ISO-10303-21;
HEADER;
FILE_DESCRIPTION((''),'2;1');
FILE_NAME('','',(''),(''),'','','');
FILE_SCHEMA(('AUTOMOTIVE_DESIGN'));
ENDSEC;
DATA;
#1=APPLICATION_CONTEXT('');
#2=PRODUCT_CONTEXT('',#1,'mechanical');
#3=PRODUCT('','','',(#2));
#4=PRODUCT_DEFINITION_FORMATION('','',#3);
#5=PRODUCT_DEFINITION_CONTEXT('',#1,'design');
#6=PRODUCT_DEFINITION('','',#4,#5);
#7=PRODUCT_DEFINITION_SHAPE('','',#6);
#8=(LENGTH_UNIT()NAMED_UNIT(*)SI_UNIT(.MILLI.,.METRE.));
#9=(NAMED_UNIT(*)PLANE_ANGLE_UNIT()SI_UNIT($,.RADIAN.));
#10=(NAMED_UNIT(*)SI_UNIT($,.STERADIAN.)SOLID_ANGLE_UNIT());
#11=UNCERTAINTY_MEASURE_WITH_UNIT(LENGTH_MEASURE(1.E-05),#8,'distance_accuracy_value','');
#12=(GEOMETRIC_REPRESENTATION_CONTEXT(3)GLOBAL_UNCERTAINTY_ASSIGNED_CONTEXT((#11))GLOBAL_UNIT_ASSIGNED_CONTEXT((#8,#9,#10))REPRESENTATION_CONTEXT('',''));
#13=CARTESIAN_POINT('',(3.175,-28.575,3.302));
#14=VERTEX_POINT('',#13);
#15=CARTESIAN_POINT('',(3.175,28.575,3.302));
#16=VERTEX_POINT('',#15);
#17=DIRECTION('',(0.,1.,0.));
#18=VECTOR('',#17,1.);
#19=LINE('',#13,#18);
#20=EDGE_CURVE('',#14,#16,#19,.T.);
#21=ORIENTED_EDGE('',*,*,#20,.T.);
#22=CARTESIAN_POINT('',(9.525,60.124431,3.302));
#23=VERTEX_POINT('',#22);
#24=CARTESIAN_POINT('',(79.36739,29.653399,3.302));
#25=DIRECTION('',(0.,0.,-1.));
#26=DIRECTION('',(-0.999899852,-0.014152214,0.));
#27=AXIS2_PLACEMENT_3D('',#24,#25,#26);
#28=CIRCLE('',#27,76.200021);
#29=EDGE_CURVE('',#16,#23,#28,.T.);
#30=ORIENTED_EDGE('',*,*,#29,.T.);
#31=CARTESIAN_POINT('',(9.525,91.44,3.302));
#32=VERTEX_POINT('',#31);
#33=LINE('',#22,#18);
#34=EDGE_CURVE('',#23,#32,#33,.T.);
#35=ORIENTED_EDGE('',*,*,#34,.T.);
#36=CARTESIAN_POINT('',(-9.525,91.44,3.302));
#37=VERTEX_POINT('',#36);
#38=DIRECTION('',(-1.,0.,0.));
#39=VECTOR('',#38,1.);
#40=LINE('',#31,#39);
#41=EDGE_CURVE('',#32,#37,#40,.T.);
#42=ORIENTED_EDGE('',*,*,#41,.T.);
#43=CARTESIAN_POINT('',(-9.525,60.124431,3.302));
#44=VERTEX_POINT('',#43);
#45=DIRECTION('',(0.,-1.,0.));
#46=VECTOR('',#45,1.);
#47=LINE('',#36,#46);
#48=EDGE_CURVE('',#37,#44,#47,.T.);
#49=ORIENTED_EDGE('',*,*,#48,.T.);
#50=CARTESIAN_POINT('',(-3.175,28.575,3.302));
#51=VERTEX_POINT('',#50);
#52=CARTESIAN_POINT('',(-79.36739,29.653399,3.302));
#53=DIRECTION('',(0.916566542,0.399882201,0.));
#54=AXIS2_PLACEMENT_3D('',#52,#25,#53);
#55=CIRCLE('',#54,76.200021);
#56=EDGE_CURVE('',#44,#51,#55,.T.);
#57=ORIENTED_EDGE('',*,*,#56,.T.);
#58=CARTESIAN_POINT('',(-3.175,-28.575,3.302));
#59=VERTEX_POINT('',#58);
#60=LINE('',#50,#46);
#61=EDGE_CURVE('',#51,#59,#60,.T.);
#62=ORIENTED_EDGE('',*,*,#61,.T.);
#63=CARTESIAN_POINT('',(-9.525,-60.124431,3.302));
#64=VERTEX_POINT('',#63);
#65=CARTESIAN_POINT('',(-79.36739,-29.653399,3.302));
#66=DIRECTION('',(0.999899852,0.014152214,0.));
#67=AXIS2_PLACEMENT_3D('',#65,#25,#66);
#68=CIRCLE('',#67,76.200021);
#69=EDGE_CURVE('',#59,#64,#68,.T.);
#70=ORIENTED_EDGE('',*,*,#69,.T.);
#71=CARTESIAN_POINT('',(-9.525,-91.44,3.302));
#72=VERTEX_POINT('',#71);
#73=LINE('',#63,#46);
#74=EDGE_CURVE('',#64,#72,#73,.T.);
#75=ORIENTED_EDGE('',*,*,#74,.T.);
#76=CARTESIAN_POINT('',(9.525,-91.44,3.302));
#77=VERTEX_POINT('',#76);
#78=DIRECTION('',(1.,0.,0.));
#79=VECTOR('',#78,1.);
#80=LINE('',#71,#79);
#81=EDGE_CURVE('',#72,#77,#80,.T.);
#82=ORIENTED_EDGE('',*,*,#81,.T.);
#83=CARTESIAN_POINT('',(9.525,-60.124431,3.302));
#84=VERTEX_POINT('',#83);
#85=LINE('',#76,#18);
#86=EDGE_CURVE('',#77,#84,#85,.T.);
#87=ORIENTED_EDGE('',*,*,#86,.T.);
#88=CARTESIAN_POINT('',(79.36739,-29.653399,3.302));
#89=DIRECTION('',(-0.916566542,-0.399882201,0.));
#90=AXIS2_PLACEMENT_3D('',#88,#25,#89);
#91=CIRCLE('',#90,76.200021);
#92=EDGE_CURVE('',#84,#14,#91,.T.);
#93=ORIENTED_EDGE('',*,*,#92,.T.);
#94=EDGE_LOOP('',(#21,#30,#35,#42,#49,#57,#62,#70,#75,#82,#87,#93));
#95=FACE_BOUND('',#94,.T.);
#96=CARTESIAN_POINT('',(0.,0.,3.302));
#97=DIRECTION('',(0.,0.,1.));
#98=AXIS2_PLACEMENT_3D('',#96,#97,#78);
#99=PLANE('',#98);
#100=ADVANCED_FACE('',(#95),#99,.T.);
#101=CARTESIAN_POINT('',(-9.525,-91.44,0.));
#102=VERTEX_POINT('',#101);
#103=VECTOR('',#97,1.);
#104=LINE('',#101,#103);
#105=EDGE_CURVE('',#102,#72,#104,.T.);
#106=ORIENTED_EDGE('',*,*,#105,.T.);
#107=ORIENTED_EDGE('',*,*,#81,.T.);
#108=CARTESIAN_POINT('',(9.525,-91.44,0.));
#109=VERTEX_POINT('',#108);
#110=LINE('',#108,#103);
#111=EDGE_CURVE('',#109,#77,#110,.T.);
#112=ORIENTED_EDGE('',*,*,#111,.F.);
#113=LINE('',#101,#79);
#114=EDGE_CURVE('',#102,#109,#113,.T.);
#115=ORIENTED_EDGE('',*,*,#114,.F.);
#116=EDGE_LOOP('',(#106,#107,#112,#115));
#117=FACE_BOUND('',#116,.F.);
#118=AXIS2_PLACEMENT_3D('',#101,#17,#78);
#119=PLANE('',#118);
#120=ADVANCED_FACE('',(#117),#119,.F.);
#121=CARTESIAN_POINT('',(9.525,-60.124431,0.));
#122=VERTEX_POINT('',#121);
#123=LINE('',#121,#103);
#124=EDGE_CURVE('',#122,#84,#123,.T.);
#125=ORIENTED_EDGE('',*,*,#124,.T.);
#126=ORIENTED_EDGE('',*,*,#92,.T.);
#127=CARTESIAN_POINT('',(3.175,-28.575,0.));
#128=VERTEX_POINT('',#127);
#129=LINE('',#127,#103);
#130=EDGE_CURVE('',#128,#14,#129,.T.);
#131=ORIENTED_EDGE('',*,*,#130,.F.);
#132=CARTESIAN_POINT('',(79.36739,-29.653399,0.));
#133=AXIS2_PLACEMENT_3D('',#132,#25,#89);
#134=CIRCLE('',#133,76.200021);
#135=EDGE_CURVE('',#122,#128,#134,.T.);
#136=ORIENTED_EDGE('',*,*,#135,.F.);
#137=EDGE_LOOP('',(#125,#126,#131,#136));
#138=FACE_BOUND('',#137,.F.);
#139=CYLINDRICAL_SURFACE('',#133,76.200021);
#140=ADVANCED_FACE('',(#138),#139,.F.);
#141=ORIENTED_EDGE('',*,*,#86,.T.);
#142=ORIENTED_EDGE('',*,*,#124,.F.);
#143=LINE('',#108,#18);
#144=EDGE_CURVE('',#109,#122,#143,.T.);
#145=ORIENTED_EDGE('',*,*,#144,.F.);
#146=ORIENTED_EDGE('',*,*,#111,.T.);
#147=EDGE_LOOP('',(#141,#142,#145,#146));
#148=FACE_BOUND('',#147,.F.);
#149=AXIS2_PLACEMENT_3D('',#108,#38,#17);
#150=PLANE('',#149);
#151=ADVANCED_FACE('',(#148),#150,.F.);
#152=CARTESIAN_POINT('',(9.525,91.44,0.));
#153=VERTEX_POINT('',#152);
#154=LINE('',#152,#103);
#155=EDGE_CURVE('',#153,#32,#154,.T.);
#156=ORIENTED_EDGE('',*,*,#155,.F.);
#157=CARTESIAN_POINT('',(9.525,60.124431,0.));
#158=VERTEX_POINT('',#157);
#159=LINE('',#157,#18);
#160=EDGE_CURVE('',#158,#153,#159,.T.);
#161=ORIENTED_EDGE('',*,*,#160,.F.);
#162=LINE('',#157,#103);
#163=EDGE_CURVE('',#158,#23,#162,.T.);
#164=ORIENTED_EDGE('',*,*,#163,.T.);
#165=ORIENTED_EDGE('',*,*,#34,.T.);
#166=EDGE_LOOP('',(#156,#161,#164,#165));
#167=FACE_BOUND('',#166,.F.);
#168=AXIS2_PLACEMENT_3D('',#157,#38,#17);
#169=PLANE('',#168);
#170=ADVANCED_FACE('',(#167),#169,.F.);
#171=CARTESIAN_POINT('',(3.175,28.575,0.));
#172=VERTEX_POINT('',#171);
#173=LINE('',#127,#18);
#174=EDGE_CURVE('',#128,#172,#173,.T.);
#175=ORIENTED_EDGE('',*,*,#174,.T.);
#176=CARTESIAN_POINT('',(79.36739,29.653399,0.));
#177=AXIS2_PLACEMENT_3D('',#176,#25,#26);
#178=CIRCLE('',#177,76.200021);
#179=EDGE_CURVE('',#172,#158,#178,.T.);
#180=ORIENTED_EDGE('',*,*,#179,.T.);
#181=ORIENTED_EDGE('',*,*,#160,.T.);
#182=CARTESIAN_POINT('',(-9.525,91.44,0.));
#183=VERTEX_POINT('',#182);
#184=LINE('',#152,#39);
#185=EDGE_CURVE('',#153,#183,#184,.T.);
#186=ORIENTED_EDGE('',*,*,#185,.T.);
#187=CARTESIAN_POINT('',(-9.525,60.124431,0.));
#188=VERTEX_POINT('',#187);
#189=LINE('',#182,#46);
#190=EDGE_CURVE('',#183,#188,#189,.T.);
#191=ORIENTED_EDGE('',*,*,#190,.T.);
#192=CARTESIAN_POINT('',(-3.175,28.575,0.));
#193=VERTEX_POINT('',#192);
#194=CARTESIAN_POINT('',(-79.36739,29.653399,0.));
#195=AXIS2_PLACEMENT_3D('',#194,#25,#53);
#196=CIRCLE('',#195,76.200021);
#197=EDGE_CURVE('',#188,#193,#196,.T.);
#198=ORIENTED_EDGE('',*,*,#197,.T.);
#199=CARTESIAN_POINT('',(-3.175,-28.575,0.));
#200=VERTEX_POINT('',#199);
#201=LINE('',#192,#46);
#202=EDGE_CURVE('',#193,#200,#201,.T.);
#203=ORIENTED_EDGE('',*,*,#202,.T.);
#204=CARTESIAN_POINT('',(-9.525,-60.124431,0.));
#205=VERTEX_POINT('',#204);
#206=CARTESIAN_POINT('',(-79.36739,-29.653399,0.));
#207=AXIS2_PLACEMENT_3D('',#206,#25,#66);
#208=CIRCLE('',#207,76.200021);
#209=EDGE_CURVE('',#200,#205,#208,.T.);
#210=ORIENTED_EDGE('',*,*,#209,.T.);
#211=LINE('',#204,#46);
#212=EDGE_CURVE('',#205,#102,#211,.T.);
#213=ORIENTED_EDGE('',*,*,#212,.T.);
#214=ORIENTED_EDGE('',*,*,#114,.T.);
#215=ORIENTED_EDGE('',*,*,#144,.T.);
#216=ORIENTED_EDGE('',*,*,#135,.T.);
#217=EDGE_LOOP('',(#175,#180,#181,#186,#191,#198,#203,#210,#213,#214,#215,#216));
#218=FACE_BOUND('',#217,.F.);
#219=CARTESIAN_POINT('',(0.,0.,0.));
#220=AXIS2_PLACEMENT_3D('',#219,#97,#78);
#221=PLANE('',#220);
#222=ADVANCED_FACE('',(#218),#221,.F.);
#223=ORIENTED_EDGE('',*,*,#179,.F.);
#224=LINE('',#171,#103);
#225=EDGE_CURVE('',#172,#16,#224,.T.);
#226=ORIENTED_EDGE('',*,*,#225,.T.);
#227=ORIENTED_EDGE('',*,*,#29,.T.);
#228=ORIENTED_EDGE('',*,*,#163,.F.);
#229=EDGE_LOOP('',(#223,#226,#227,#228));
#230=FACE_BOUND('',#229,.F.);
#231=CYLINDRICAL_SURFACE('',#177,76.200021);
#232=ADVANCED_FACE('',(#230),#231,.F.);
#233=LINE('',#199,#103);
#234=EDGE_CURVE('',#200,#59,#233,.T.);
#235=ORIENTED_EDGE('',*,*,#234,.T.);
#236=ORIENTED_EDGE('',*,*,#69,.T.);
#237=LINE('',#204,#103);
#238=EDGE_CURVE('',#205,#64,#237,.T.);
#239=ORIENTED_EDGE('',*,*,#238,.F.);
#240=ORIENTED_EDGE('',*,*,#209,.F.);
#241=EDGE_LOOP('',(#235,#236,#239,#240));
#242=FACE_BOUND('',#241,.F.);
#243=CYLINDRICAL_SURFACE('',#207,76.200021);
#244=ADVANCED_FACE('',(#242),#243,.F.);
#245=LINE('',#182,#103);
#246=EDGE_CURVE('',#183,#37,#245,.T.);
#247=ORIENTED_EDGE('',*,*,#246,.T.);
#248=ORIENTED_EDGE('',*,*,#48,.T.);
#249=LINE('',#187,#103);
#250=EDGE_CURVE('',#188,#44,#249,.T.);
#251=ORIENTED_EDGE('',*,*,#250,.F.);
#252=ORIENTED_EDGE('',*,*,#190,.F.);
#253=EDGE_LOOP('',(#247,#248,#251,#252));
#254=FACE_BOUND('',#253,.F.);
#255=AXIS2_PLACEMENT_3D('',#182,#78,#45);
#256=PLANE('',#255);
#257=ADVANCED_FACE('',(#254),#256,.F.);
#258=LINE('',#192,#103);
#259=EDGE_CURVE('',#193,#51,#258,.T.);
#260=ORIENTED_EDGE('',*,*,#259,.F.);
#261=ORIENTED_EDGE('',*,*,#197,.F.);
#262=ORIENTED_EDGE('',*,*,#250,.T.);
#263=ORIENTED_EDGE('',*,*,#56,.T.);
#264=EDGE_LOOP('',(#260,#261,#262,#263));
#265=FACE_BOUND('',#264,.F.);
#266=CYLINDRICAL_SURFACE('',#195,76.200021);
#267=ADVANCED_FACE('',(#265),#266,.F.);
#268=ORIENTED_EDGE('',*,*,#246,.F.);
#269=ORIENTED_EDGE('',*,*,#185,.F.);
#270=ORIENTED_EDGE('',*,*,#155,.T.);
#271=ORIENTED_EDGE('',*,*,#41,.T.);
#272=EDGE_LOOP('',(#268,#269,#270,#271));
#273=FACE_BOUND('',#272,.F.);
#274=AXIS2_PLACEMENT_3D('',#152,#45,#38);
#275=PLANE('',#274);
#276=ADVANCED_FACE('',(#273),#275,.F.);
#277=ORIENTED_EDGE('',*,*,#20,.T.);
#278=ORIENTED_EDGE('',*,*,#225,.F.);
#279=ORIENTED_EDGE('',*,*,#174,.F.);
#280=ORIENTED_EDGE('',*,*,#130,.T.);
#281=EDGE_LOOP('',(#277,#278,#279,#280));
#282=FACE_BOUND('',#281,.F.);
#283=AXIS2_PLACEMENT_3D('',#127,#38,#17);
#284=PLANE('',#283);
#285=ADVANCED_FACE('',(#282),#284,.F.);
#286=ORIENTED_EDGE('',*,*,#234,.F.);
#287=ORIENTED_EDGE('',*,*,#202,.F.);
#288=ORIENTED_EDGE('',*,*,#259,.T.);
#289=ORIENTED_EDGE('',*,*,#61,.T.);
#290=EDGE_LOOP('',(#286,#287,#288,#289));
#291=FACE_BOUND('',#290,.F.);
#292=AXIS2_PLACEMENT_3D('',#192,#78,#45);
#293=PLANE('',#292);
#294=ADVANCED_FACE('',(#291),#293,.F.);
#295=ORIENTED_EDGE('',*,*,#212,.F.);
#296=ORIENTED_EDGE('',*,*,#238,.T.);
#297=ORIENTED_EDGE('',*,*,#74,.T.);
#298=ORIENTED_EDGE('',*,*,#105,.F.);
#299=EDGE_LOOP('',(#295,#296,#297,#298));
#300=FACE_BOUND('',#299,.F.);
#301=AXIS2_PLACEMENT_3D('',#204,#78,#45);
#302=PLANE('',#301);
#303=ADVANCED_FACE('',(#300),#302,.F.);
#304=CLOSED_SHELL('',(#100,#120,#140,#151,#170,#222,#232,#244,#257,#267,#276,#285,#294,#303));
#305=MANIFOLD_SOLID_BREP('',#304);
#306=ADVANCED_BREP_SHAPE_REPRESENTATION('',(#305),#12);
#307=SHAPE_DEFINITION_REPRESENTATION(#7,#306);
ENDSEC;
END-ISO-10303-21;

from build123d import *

# Parameters (mm, degrees)
F1_DEPTH = 3.302


with BuildPart() as f1:
    # F0 (on Top) → F1 (new body)
    with BuildSketch(Plane.XY):
        with BuildLine():
            Line((-3.175, 28.575), (-3.175, 0))
            Line((-3.175, 0), (-3.175, -28.575))
            ThreePointArc((-3.175, -28.575), (-4.665443, -44.688769), (-9.525, -60.124431))
            Line((-9.525, -60.124431), (-9.525, -91.44))
            Line((-9.525, -91.44), (0, -91.44))
            Line((0, -91.44), (9.525, -91.44))
            Line((9.525, -91.44), (9.525, -60.124431))
            ThreePointArc((9.525, -60.124431), (4.665443, -44.688769), (3.175, -28.575))
            Line((3.175, -28.575), (3.175, 0))
            Line((3.175, 0), (3.175, 28.575))
            ThreePointArc((3.175, 28.575), (4.665443, 44.688769), (9.525, 60.124431))
            Line((9.525, 60.124431), (9.525, 91.44))
            Line((9.525, 91.44), (0, 91.44))
            Line((0, 91.44), (-9.525, 91.44))
            Line((-9.525, 91.44), (-9.525, 60.124431))
            ThreePointArc((-9.525, 60.124431), (-4.665443, 44.688769), (-3.175, 28.575))
        make_face()
    extrude(amount=F1_DEPTH)


solid = f1.part
